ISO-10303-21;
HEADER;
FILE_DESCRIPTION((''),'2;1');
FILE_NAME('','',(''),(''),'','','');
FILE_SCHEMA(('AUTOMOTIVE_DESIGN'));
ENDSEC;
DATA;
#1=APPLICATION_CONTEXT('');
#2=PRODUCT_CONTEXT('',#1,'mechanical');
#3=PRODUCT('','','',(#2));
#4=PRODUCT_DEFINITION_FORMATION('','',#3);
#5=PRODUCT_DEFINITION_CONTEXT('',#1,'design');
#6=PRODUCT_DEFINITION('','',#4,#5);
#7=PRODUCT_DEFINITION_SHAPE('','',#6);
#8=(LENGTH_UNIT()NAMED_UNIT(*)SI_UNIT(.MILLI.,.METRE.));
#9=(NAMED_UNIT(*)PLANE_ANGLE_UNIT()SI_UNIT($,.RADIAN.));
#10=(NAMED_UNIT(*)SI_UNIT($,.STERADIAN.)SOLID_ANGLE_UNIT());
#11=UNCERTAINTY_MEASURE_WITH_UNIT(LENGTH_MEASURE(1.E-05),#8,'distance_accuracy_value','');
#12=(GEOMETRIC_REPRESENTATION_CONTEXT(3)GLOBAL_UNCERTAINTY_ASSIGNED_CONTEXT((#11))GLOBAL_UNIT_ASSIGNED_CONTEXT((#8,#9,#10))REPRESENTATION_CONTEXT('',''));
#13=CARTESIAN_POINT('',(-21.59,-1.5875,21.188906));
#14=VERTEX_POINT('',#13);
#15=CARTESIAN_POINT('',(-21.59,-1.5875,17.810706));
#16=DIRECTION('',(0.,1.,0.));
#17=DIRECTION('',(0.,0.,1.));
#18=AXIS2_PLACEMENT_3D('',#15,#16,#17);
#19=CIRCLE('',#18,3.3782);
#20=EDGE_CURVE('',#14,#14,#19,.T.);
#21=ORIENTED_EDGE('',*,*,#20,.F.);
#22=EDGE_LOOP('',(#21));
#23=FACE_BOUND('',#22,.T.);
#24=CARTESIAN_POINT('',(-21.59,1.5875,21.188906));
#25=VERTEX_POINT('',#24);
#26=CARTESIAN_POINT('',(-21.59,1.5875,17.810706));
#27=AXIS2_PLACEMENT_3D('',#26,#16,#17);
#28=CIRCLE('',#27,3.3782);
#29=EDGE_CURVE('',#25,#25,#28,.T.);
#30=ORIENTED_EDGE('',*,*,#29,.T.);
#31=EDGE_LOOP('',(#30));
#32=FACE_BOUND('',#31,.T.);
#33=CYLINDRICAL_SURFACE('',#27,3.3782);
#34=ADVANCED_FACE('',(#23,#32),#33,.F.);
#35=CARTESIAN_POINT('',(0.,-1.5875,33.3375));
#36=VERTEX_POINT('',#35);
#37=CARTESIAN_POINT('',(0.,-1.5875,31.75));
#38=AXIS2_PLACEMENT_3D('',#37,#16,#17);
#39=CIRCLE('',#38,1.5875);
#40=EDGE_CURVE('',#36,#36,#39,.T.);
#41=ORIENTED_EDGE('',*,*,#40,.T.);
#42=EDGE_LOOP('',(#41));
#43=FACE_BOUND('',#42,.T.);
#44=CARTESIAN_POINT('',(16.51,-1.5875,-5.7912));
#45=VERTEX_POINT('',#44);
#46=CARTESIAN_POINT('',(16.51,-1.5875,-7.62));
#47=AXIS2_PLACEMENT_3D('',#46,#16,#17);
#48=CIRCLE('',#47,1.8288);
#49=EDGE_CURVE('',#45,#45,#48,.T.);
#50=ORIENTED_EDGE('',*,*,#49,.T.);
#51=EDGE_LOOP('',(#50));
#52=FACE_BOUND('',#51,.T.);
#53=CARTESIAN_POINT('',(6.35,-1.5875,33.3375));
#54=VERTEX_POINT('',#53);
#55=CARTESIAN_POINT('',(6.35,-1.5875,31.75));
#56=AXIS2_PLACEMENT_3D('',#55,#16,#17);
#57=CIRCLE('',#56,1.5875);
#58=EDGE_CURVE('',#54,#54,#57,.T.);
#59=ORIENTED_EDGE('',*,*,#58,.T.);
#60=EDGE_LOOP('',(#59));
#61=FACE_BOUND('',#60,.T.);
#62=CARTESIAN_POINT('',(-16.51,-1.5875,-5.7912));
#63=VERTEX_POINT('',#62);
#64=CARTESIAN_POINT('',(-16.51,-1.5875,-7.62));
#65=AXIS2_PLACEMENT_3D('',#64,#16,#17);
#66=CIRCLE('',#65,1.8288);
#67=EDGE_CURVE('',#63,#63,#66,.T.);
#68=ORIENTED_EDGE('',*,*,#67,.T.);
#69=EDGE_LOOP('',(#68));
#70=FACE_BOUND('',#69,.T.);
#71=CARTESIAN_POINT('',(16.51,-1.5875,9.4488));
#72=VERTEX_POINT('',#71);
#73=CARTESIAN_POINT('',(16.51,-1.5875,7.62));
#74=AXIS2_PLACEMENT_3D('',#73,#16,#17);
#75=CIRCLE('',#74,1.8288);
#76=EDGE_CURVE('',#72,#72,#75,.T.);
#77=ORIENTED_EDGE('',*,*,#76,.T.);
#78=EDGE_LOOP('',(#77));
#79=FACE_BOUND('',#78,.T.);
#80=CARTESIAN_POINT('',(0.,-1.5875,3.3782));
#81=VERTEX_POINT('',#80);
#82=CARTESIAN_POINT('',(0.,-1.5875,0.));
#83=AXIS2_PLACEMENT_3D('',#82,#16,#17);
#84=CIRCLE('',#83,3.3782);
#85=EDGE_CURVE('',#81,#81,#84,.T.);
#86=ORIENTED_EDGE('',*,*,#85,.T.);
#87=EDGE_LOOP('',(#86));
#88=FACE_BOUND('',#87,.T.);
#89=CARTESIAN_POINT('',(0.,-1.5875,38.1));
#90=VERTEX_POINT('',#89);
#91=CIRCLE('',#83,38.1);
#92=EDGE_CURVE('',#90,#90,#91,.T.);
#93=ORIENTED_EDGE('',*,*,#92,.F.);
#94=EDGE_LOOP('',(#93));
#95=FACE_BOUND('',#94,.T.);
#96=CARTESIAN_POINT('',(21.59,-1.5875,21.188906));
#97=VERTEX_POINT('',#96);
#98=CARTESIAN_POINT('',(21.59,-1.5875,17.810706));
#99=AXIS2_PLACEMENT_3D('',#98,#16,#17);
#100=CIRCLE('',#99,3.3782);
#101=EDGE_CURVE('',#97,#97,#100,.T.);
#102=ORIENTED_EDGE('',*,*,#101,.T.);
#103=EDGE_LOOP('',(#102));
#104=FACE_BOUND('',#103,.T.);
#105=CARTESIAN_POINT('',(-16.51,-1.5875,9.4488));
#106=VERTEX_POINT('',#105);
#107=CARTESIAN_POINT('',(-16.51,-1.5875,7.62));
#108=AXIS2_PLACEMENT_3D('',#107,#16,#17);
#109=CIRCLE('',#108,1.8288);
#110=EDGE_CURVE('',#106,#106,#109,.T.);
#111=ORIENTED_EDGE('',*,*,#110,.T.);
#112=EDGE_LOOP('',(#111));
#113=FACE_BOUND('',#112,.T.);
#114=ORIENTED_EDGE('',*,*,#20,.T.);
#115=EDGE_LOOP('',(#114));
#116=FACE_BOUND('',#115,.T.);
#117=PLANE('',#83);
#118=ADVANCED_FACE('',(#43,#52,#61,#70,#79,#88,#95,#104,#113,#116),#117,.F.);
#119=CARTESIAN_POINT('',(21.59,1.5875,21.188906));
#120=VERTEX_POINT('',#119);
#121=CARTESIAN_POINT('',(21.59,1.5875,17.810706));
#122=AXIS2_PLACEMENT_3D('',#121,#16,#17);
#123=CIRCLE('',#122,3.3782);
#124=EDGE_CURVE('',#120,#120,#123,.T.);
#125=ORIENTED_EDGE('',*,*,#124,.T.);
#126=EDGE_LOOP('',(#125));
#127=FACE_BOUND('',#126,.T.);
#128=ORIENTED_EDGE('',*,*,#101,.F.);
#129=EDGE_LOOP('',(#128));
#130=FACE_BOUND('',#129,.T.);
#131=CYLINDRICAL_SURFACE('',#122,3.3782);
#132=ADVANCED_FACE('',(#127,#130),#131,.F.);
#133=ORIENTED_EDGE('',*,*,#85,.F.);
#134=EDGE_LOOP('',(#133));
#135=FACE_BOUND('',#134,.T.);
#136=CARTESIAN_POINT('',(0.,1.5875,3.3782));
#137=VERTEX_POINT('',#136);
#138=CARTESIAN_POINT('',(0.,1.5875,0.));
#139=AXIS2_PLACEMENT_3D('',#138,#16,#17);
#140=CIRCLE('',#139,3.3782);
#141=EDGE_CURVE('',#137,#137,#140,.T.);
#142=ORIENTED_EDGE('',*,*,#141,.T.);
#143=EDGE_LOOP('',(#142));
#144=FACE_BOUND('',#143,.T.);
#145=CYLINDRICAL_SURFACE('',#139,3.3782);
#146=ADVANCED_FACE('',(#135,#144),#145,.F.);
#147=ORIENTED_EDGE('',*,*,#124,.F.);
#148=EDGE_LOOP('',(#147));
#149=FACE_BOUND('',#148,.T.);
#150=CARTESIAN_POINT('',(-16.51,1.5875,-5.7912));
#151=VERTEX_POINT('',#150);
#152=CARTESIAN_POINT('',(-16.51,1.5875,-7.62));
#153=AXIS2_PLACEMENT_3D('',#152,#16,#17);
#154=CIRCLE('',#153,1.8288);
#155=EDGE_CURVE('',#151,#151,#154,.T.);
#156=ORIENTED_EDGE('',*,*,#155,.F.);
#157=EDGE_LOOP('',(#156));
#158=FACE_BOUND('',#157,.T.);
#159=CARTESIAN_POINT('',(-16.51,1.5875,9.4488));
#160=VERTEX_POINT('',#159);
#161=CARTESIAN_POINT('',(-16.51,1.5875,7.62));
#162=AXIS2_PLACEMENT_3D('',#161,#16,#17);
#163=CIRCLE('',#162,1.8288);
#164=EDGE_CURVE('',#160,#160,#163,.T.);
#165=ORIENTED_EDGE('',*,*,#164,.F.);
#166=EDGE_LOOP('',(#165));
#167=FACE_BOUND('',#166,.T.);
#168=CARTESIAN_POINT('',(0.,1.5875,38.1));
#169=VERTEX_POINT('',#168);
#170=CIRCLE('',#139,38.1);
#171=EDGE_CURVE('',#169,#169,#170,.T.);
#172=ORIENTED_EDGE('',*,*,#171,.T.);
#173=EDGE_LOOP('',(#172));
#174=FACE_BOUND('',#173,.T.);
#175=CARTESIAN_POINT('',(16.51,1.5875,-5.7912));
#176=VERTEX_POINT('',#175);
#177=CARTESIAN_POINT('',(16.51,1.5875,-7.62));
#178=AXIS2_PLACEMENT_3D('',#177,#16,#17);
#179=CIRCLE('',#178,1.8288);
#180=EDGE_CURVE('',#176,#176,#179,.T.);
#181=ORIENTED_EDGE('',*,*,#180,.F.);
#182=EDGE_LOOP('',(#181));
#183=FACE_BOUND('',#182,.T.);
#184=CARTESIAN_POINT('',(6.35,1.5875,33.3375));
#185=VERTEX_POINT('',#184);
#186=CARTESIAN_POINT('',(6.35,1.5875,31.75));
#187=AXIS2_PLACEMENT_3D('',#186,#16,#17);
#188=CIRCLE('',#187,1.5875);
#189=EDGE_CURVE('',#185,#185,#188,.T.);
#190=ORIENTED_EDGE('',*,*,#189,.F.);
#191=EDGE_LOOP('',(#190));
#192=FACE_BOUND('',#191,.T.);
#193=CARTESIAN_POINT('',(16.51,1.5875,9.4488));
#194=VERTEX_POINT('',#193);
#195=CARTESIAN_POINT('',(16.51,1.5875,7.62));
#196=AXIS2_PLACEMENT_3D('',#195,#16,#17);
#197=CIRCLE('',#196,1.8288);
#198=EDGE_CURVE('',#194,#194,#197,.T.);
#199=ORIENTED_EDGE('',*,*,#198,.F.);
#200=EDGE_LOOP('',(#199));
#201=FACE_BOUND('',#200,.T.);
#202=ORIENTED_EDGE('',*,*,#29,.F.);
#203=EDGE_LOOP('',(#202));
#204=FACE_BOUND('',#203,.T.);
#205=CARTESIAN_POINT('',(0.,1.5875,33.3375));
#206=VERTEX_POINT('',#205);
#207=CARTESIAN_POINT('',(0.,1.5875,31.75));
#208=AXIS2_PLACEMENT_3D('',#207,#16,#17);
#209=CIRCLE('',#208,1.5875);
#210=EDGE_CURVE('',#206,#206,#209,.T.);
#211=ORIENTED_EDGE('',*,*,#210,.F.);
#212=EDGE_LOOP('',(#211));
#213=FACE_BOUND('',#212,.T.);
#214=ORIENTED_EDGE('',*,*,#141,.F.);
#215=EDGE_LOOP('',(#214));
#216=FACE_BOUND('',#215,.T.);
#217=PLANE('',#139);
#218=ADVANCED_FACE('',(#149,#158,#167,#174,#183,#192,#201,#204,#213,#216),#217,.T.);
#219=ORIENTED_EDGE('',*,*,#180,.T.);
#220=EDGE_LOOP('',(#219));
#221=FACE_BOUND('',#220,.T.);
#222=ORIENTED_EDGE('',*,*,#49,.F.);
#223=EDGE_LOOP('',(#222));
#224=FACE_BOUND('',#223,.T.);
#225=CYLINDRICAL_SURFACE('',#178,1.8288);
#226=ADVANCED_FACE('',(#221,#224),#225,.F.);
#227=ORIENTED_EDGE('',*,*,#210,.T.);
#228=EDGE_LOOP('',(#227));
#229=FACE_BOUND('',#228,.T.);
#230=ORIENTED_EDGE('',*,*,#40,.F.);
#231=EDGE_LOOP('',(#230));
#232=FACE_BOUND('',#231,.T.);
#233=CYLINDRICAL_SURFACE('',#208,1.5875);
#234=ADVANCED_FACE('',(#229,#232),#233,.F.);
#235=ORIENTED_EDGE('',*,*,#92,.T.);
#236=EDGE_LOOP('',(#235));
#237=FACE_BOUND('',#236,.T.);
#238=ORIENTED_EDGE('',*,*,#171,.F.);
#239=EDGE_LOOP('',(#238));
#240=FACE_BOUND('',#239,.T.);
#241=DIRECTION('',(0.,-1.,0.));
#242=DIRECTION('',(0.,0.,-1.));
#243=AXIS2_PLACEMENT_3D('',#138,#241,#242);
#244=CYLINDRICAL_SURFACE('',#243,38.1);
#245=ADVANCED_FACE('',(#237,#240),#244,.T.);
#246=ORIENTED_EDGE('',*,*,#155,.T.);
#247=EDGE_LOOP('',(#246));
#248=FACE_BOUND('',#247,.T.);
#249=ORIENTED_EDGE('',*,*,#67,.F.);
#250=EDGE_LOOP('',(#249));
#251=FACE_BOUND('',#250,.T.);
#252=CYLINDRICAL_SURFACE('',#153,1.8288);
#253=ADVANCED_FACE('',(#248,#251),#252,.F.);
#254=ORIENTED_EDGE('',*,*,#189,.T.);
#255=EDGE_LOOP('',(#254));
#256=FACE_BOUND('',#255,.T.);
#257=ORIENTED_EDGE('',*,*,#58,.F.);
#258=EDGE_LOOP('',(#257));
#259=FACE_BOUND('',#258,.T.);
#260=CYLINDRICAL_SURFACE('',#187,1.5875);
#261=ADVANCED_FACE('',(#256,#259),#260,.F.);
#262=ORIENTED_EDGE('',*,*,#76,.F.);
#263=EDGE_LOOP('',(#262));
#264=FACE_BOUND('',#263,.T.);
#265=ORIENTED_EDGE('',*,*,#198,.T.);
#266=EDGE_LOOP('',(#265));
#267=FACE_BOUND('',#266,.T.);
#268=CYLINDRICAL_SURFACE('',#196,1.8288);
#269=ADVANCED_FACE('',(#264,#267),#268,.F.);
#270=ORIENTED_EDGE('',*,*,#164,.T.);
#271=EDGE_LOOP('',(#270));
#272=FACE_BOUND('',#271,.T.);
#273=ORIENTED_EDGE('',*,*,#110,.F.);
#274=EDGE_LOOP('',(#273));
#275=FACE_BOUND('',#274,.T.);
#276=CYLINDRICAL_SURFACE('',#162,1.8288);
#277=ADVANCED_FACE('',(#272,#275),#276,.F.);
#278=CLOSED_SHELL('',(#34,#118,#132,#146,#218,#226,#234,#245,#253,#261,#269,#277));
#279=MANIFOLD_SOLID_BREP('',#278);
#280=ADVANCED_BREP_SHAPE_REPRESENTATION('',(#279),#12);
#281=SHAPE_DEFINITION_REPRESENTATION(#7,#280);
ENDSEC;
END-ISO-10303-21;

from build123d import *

# Parameters (mm, degrees)
SKETCH1_R                    = 38.1
BOSS_EXTRUDE1_DEPTH          = 1.5875
F_1_4_CLEARANCE_HOLE1_D      = 6.7564
F_1_4_CLEARANCE_HOLE2_D      = 6.7564
F_1_8_0_125_DIAMETER_HOLE1_D = 3.175
F_27_0_144_DIAMETER_HOLE1_D  = 3.6576


with BuildPart() as part:
    # Sketch1 → Boss-Extrude1 (new body, symmetric)
    with BuildSketch(Plane(origin=(0, 0, 0), x_dir=(1, 0, 0), z_dir=(0, 1, 0))):
        Circle(SKETCH1_R)
    extrude(amount=BOSS_EXTRUDE1_DEPTH, both=True)

    # 1/4 Clearance Hole1 (through all)
    with Locations(Plane(origin=(0, 1.5875, 0), x_dir=(1, 0, 0), z_dir=(0, 1, 0))):
        with Locations((-21.59, -17.810706314), (21.59, -17.810706314)):
            Hole(F_1_4_CLEARANCE_HOLE1_D / 2)

    # 1/4 Clearance Hole2 (through all)
    with Locations(Plane(origin=(0, 1.5875, 0), x_dir=(1, 0, 0), z_dir=(0, 1, 0))):
        with Locations((0, 0)):
            Hole(F_1_4_CLEARANCE_HOLE2_D / 2)

    # 1/8 (0.125) Diameter Hole1 (through all)
    with Locations(Plane(origin=(0, 1.5875, 0), x_dir=(1, 0, 0), z_dir=(0, 1, 0))):
        with Locations((0, -31.75), (6.35, -31.75)):
            Hole(F_1_8_0_125_DIAMETER_HOLE1_D / 2)

    # #27 (0.144) Diameter Hole1 (through all)
    with Locations(Plane(origin=(0, 1.5875, 0), x_dir=(1, 0, 0), z_dir=(0, 1, 0))):
        with Locations((-16.51, 7.62), (16.51, 7.62), (16.51, -7.62), (-16.51, -7.62)):
            Hole(F_27_0_144_DIAMETER_HOLE1_D / 2)


solid = part.part
